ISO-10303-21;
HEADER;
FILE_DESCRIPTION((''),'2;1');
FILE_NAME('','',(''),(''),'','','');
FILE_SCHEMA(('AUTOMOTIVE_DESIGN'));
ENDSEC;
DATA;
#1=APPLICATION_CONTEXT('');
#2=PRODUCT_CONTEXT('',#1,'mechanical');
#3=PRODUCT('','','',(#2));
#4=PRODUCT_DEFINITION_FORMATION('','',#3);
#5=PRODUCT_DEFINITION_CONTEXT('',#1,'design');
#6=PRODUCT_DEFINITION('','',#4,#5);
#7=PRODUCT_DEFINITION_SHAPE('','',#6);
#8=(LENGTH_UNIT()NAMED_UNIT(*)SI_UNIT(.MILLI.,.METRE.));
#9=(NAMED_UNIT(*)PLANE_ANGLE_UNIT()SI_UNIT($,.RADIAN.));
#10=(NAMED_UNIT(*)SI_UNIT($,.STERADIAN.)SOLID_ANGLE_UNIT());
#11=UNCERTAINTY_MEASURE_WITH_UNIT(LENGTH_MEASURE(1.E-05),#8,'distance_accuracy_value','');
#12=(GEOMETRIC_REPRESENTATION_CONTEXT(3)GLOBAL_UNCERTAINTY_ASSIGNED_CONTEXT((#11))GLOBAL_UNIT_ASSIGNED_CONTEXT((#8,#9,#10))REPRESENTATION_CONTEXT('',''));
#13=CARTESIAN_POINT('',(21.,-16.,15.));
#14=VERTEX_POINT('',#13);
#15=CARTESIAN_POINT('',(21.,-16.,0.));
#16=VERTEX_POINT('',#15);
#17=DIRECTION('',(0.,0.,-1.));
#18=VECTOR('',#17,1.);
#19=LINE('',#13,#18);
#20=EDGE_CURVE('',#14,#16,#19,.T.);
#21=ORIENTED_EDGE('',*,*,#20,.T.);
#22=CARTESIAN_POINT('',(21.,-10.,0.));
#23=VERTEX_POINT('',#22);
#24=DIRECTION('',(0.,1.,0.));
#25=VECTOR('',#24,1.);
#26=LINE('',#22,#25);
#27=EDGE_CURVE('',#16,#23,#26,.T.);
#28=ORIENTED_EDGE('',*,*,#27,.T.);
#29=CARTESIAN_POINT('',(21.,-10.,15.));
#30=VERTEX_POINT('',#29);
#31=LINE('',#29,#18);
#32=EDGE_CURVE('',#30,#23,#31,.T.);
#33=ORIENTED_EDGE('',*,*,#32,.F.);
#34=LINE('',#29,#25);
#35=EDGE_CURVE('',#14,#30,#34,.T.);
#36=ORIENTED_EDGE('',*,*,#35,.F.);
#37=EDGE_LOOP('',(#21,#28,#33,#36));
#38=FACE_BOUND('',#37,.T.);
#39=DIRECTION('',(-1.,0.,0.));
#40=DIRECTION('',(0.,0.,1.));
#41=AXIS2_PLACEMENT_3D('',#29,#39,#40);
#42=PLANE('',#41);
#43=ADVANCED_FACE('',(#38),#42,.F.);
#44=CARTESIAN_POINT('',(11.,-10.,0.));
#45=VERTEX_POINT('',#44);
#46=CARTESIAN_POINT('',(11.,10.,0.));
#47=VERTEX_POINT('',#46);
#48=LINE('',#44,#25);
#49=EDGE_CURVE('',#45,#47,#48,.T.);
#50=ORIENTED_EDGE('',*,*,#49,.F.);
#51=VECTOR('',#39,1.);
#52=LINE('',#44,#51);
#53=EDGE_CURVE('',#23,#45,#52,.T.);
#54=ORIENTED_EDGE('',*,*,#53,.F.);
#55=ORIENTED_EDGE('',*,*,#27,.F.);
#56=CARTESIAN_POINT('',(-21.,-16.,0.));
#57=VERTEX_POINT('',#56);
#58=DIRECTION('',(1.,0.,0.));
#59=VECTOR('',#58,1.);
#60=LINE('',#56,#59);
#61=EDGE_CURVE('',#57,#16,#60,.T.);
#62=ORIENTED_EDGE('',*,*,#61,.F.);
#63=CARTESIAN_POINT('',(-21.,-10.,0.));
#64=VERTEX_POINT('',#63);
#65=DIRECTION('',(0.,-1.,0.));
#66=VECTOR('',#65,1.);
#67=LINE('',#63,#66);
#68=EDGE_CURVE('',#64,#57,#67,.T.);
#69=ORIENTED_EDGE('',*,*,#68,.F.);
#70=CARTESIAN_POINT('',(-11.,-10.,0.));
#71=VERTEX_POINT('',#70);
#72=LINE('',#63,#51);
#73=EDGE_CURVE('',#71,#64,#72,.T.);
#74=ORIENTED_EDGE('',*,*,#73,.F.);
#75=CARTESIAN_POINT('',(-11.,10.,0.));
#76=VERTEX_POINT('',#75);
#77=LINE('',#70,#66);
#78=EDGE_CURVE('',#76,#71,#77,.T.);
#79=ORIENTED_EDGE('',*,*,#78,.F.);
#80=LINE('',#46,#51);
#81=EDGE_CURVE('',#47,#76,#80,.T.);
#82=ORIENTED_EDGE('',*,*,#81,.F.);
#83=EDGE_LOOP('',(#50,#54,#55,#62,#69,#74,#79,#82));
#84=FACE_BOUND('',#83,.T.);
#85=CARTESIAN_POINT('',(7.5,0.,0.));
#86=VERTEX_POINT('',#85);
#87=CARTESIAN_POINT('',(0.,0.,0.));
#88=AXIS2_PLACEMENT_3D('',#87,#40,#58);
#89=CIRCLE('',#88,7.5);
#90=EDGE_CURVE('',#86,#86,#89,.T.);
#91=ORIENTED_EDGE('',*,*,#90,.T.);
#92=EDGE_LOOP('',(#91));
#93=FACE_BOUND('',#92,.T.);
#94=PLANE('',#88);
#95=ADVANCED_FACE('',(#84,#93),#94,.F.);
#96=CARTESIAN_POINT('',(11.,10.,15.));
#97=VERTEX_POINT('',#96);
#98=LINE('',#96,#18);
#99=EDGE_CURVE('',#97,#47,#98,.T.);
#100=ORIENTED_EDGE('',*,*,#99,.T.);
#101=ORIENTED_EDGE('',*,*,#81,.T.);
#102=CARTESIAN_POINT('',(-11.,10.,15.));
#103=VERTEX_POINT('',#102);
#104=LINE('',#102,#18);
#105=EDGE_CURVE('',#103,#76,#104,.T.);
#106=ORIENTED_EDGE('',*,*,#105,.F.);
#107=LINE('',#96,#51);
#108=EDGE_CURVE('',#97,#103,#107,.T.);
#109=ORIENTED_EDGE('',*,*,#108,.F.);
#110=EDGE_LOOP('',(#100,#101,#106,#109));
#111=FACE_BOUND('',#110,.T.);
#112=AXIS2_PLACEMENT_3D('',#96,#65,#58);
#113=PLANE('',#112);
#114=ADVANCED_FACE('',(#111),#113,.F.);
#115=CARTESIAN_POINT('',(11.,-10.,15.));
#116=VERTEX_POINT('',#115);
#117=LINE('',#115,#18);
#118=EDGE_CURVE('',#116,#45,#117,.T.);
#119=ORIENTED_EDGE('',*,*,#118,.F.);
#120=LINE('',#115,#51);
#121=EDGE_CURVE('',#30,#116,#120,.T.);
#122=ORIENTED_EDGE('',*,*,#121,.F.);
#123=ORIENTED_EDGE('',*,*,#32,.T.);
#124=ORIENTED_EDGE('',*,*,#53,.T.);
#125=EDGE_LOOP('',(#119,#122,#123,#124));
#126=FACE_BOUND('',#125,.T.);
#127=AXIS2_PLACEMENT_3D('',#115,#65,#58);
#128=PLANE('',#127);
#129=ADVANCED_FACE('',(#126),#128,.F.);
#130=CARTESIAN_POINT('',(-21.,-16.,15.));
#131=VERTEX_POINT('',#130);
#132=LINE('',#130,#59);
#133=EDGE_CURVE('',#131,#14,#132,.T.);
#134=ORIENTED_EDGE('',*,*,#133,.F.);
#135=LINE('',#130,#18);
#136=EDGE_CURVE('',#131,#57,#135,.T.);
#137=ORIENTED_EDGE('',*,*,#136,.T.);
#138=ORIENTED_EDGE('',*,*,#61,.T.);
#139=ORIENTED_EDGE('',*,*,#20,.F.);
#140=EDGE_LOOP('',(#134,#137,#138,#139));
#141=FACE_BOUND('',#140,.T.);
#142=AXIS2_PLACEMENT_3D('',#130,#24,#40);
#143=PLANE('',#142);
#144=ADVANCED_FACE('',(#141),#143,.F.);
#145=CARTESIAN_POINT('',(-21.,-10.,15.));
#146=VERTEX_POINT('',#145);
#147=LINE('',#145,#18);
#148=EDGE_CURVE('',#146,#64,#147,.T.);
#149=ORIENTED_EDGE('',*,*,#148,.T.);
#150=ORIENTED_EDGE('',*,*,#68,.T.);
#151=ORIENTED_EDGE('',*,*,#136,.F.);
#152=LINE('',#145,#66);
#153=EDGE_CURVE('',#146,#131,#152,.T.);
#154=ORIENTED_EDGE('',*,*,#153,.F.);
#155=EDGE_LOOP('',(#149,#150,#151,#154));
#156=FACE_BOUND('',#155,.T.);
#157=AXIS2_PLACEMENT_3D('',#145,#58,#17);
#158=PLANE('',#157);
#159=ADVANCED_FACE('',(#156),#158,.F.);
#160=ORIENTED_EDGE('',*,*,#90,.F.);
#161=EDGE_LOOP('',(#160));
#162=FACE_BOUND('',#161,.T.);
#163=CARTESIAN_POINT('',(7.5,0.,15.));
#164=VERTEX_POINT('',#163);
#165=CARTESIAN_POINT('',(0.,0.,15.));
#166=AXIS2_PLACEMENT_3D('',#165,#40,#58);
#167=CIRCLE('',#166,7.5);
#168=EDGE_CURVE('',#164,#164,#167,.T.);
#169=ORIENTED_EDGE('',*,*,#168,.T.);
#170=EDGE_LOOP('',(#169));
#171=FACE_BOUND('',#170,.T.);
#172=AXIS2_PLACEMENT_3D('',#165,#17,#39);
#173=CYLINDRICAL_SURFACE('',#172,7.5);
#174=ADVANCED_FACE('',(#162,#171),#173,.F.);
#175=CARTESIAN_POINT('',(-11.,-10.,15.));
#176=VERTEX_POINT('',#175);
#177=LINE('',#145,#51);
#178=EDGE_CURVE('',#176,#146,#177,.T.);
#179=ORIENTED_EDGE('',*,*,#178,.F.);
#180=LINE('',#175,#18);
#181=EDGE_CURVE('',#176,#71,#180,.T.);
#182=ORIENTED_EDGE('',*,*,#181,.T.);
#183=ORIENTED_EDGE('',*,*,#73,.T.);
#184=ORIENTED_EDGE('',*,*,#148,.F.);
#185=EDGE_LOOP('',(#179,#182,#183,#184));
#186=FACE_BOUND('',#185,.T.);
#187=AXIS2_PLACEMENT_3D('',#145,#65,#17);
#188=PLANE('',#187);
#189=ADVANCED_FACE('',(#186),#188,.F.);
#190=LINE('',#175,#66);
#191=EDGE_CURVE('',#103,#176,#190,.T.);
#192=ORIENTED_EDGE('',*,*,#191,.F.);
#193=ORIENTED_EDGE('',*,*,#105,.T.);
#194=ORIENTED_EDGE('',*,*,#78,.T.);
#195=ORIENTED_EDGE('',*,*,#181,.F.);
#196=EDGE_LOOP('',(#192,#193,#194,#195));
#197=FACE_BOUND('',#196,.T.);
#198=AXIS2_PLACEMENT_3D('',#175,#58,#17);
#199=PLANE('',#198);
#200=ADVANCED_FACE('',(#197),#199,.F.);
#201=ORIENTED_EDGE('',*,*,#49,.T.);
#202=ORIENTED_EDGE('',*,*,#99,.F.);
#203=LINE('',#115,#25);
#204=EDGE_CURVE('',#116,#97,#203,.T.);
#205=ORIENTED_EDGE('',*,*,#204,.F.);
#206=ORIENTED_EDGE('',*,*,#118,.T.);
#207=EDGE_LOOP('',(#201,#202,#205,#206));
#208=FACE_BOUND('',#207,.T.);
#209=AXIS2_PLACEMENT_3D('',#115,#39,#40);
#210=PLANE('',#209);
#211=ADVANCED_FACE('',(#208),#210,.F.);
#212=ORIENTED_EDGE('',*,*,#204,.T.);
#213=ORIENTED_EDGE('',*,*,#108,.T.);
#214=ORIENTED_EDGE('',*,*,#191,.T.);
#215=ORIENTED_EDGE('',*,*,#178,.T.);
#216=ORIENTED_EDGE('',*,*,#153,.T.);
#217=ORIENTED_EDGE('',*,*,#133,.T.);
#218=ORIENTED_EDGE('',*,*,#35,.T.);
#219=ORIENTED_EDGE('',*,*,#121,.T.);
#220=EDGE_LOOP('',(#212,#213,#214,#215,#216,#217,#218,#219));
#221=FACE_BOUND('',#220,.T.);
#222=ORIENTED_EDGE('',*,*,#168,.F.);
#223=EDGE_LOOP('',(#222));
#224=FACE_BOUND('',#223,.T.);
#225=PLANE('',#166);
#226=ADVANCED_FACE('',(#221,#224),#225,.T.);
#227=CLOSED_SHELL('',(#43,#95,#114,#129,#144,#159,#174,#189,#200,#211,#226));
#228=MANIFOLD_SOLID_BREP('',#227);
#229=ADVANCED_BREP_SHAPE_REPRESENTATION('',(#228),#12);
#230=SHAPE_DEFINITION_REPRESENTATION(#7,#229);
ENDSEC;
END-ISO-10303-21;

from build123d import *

# Parameters (mm, degrees)
SKETCH1_R           = 7.5
BOSS_EXTRUDE1_DEPTH = 15


with BuildPart() as part:
    # Sketch1 → Boss-Extrude1 (new body)
    with BuildSketch(Plane.XY):
        Polygon((11, -10), (21, -10), (21, -16), (-21, -16), (-21, -10), (-11, -10), (-11, 10), (11, 10), align=None)
        Circle(SKETCH1_R, mode=Mode.SUBTRACT)
    extrude(amount=BOSS_EXTRUDE1_DEPTH)


solid = part.part
